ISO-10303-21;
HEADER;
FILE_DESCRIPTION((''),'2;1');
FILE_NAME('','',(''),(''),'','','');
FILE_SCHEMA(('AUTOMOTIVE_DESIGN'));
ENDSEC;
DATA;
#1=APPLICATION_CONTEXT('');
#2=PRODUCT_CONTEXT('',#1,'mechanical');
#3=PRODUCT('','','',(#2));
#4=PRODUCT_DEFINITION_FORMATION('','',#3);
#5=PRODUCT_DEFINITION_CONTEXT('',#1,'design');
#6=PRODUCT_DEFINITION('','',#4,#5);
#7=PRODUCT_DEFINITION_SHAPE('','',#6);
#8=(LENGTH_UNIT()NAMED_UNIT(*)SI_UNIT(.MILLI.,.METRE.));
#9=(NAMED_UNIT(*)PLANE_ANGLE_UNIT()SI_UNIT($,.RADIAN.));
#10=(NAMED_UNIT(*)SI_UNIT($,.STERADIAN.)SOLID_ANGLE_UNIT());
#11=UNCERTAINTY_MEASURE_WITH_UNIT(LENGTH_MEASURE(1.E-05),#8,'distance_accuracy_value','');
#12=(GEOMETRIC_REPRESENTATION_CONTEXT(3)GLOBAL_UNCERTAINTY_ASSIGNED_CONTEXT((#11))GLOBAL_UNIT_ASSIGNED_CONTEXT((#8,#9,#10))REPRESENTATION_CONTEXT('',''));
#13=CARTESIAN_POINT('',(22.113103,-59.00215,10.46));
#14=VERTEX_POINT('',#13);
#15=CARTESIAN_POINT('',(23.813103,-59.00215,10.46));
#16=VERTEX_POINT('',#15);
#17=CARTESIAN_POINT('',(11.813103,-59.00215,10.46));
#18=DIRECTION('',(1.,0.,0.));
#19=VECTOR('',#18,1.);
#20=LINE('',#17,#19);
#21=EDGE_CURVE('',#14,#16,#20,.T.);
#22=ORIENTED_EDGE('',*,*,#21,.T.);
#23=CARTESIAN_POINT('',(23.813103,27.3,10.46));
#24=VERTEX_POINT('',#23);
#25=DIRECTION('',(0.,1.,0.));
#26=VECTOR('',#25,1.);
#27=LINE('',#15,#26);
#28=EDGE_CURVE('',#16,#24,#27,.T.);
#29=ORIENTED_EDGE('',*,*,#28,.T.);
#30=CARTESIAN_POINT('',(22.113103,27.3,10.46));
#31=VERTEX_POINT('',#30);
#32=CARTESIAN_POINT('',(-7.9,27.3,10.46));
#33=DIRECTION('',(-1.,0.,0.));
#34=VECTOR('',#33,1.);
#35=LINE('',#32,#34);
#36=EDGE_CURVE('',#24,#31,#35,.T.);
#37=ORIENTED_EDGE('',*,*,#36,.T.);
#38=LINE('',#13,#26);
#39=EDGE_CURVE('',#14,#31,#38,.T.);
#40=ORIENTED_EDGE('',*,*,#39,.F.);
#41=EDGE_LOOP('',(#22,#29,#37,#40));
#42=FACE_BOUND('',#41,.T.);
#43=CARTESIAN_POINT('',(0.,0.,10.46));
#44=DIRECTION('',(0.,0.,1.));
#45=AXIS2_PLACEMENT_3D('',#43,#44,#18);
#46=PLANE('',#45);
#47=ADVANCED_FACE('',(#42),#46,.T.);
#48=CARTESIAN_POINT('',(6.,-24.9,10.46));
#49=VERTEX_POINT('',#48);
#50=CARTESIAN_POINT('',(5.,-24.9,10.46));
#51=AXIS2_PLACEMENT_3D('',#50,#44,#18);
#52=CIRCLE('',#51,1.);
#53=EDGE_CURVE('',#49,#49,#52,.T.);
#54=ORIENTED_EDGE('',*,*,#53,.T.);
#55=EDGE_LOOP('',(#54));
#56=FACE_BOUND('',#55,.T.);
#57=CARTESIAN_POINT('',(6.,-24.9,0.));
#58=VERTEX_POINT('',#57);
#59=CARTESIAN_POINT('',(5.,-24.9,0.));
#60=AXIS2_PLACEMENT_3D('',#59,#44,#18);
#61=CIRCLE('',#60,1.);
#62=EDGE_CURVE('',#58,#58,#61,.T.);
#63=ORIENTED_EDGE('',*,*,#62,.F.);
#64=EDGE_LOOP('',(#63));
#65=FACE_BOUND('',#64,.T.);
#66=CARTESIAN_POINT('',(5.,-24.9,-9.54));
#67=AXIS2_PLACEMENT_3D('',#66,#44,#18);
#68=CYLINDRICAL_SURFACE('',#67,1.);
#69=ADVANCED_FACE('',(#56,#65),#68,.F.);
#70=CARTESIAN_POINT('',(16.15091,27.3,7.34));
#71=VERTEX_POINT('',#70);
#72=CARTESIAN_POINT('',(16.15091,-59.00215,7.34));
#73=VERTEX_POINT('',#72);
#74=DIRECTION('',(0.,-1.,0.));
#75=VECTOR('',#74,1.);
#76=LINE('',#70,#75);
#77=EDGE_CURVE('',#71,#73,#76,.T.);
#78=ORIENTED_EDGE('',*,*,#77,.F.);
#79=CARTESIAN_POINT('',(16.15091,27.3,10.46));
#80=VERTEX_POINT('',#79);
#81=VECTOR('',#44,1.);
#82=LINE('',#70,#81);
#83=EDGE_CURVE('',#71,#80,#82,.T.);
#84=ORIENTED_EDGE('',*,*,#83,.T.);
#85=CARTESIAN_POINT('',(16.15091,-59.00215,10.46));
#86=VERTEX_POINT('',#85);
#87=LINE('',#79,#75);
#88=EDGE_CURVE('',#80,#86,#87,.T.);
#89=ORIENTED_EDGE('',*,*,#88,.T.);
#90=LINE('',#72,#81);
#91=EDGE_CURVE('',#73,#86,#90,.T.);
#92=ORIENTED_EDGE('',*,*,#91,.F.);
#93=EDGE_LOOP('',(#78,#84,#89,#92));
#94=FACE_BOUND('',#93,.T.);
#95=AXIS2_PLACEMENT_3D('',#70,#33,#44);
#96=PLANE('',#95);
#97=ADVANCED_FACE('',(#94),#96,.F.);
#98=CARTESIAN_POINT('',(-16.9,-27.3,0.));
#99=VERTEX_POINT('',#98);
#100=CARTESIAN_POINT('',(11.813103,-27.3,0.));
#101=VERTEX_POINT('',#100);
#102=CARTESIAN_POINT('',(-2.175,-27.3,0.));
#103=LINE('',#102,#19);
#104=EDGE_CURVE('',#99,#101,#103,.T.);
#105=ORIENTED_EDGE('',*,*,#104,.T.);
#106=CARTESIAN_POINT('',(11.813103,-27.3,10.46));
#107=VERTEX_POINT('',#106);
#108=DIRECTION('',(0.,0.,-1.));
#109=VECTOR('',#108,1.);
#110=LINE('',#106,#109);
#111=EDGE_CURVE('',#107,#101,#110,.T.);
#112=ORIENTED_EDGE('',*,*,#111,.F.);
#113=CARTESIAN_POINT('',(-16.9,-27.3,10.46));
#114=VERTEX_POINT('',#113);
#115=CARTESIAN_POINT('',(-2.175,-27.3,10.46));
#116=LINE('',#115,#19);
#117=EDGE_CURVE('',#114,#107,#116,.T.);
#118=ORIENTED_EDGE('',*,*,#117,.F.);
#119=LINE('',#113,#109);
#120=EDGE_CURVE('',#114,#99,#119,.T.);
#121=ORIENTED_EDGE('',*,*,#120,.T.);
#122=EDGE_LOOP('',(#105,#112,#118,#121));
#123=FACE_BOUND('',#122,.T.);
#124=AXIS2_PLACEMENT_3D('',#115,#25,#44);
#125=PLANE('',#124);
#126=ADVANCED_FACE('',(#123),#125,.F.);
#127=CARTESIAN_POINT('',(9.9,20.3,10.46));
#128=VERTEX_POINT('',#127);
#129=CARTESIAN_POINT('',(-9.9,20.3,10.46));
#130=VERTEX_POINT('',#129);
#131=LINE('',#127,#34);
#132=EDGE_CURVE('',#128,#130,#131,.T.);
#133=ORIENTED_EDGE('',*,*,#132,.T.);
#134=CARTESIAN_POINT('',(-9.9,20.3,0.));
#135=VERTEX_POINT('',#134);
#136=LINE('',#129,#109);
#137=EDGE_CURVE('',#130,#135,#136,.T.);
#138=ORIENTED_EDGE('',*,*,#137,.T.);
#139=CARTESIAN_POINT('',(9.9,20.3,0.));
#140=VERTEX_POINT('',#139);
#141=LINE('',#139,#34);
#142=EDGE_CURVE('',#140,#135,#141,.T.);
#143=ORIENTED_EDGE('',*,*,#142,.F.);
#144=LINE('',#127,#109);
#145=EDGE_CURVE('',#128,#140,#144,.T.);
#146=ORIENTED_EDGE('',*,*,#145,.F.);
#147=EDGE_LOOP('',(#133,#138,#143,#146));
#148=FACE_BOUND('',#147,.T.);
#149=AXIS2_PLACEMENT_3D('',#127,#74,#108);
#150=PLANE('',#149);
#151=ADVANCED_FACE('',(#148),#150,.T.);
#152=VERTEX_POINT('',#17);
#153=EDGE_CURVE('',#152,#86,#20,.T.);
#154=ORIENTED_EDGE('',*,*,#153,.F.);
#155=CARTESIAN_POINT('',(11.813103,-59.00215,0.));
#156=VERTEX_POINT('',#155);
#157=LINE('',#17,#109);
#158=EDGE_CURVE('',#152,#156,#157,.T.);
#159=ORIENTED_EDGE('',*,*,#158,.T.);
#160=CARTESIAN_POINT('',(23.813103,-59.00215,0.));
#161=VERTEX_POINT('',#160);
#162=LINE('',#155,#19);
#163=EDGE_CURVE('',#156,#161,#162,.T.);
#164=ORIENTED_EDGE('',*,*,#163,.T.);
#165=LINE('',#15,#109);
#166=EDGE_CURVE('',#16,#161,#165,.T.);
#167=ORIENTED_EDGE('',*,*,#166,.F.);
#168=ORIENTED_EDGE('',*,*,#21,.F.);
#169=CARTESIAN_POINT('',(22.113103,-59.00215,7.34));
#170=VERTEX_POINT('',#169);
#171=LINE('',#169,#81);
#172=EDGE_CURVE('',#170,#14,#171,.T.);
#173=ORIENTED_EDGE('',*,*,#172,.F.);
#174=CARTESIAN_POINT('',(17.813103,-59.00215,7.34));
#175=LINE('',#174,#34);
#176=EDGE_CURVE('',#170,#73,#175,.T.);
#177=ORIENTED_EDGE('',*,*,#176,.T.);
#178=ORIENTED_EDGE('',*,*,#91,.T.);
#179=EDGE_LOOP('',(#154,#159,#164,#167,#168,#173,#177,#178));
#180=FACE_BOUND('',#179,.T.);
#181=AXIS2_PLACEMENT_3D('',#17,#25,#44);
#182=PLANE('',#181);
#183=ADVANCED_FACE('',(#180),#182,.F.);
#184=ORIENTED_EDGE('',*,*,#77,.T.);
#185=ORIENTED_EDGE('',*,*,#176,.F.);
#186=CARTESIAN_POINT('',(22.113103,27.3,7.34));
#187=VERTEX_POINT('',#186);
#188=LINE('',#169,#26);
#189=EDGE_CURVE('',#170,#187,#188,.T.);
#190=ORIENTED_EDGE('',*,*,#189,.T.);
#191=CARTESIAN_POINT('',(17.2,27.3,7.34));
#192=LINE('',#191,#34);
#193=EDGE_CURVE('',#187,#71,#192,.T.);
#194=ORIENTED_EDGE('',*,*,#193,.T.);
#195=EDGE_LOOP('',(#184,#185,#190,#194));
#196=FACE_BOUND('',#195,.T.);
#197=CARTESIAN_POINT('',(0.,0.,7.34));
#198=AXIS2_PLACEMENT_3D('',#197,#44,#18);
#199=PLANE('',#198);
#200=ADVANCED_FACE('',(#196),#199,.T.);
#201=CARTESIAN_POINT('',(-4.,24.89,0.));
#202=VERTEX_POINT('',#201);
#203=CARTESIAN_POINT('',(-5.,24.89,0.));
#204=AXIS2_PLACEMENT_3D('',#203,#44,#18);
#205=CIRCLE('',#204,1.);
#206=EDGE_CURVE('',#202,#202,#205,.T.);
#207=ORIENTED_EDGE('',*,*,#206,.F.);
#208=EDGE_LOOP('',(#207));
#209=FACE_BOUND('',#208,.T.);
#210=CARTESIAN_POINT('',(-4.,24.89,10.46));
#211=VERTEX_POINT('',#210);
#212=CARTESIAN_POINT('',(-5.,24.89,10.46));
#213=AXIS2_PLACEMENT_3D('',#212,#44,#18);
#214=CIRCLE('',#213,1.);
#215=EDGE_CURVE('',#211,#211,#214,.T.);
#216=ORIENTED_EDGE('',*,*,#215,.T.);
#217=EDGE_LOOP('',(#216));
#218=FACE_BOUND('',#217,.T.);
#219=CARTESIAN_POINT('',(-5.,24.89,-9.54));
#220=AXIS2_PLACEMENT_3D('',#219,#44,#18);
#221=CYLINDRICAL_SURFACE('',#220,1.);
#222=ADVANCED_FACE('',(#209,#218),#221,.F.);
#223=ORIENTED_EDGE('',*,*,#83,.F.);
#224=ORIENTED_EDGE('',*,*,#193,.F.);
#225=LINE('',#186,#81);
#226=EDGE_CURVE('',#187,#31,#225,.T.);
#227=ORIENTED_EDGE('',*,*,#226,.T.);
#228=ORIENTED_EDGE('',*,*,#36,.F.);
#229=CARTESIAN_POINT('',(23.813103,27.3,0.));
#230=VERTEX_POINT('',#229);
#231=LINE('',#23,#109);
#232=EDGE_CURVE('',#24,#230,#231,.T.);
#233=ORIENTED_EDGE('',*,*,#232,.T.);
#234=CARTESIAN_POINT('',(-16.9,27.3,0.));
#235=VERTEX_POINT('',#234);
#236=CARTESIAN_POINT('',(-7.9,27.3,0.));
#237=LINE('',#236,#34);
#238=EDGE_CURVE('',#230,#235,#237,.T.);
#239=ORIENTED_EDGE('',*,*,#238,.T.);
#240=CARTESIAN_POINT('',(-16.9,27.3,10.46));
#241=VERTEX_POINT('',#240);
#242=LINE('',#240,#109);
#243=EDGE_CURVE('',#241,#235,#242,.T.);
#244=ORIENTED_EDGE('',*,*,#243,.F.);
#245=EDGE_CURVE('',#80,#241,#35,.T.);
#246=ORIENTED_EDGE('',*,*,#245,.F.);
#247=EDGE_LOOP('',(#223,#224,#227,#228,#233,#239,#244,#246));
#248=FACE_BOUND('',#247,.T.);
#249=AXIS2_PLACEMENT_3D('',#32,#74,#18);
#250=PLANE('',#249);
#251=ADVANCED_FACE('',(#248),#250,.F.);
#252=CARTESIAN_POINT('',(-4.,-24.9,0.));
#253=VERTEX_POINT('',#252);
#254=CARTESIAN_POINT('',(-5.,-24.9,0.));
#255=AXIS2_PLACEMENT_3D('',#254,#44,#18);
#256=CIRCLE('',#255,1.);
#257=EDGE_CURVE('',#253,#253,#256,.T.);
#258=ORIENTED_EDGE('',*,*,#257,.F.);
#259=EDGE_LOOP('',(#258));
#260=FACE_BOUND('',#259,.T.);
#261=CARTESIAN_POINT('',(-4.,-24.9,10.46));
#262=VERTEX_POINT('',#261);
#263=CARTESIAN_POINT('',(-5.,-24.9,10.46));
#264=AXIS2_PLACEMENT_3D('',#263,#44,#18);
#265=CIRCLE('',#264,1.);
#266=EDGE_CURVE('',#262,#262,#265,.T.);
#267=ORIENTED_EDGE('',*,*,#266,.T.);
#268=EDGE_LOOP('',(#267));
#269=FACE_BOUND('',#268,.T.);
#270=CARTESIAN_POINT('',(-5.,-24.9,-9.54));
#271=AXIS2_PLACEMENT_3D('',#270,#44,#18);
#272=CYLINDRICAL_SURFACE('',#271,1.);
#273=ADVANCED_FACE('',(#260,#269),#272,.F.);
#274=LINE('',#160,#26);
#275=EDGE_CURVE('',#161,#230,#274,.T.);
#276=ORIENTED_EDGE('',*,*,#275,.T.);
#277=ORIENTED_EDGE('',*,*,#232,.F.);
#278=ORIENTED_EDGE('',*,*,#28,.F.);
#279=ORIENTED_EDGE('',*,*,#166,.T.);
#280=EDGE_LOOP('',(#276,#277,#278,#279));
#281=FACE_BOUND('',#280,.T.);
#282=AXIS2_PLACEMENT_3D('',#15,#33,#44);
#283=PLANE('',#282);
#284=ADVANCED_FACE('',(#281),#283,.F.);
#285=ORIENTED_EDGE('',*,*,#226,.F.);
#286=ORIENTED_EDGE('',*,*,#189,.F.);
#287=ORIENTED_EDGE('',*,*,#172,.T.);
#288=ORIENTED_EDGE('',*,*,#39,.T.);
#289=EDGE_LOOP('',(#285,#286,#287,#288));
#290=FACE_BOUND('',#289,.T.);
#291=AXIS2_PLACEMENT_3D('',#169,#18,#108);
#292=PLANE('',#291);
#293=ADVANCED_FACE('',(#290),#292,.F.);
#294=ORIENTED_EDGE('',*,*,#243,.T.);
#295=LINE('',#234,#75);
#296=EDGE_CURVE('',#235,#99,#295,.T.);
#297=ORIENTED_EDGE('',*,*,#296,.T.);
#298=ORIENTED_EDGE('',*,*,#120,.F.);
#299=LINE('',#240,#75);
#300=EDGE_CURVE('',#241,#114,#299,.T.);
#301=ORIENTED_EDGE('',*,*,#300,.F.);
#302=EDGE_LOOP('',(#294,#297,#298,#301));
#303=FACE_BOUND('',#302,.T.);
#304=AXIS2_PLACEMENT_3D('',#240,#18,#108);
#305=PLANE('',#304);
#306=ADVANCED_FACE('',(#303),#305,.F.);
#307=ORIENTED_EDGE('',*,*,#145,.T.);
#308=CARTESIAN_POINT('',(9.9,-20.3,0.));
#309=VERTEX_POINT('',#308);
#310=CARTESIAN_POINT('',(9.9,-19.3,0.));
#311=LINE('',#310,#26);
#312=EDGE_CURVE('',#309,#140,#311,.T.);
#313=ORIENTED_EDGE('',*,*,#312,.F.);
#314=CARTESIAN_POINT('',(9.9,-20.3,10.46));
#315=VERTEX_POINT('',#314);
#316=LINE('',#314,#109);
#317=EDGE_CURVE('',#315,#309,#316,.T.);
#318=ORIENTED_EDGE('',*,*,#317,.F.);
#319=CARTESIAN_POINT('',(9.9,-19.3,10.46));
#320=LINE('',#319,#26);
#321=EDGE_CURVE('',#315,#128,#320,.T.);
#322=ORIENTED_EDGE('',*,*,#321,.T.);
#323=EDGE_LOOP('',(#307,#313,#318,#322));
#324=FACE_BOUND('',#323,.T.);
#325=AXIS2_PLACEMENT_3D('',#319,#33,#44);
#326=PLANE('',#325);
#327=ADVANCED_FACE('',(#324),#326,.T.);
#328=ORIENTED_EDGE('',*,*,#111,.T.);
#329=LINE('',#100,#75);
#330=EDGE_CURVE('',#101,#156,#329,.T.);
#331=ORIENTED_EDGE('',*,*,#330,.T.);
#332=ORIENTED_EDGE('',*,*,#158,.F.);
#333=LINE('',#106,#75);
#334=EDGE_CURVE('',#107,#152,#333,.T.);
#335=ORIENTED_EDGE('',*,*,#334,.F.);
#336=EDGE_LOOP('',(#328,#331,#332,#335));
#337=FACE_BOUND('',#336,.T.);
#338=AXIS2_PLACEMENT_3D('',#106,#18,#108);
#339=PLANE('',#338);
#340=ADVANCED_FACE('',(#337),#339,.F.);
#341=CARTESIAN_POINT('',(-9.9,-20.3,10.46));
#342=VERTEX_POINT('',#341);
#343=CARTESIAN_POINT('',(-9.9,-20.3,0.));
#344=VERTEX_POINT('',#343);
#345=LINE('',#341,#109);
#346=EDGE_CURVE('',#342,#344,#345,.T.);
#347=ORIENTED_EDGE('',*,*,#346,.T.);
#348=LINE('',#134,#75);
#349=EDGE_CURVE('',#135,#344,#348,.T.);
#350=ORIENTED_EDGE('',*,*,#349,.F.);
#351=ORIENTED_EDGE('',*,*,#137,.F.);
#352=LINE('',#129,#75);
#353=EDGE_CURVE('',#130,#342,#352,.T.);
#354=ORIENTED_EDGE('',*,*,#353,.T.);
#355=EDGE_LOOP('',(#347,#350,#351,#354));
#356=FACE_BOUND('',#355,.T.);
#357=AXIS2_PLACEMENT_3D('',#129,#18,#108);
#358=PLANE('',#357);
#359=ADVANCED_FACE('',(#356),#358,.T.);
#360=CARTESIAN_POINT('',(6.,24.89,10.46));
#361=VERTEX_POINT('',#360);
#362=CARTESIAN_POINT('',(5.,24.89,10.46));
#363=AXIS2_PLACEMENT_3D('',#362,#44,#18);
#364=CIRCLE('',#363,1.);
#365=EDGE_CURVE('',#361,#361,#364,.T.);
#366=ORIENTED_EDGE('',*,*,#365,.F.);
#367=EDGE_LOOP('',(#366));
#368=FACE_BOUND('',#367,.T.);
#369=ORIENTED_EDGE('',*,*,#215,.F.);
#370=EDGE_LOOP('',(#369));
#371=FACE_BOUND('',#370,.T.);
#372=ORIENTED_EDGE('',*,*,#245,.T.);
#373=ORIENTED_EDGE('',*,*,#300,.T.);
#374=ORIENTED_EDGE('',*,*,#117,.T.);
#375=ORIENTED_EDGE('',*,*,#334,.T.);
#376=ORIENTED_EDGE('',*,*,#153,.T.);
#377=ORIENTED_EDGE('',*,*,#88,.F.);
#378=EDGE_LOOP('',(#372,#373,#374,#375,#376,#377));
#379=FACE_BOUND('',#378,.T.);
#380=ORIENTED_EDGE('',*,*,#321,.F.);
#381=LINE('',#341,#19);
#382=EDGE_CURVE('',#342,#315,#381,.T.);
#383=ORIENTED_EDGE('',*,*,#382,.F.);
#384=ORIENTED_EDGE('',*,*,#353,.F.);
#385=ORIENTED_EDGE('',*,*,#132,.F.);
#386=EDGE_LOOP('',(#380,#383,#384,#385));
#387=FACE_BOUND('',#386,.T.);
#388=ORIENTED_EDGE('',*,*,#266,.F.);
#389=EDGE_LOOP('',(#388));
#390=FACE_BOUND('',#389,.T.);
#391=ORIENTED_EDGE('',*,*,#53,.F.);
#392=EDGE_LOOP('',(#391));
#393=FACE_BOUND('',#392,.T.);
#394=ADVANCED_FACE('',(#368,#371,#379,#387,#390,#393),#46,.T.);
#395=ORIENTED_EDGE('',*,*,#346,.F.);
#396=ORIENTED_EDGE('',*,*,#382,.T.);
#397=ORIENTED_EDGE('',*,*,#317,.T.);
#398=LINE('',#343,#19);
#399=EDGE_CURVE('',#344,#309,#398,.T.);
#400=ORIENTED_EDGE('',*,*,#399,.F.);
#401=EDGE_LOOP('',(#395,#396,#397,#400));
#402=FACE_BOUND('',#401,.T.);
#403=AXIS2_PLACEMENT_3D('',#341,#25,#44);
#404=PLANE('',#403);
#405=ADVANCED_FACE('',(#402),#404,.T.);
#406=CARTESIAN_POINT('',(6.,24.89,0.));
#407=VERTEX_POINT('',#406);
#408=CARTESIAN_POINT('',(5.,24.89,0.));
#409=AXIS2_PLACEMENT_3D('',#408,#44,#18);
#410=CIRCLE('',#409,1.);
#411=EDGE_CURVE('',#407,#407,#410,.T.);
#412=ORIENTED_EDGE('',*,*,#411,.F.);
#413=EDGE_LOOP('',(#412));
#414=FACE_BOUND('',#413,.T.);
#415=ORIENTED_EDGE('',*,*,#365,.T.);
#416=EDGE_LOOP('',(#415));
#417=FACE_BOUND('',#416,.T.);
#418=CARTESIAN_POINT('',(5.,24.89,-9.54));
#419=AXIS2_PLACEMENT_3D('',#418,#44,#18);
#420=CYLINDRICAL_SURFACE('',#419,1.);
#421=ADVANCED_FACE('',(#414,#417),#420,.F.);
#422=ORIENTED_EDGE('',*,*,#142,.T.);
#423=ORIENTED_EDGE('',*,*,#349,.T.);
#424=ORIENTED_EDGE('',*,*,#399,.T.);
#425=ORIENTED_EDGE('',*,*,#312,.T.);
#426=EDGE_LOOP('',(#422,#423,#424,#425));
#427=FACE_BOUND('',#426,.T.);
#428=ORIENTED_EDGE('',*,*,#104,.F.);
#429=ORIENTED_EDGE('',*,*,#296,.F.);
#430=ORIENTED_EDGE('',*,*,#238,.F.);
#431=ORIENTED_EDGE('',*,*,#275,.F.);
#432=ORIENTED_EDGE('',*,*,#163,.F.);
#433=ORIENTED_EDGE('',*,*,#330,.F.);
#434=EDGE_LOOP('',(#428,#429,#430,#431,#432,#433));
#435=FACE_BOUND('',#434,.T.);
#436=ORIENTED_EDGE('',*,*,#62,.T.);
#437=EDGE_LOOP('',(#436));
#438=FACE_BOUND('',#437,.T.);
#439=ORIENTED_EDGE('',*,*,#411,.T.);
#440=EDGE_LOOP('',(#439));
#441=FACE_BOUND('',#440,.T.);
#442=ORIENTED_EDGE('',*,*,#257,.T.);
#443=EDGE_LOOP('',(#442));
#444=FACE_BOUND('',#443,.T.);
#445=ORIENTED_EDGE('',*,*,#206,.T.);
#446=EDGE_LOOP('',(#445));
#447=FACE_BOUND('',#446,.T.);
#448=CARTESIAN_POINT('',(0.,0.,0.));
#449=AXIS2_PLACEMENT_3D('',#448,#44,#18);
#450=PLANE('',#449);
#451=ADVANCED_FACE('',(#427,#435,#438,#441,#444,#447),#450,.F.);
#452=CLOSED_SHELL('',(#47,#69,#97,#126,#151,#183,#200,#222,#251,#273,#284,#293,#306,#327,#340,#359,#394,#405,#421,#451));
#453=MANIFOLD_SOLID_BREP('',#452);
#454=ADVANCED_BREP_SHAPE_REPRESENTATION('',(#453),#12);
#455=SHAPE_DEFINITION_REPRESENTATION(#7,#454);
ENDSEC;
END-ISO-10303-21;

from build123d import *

# Parameters (mm, degrees)
BOSS_EXTRUDE2_DEPTH = 10.46
CUT_EXTRUDE1_DEPTH  = 3.12
SKETCH5_R           = 1
CUT_EXTRUDE2_DEPTH  = 20


with BuildPart() as part:
    # Sketch2 → Boss-Extrude2 (new body)
    with BuildSketch(Plane.XY):
        Polygon((-7.9, 27.3), (23.813102619, 27.3), (23.813102619, -59.002149985), (11.813102619, -59.002149985), (11.813102619, -27.3), (-2.175, -27.3), (-16.9, -27.3), (-16.9, 27.3), align=None)
        Polygon((-9.9, -20.3), (9.9, -20.3), (9.9, -19.3), (9.9, 20.3), (-9.9, 20.3), align=None, mode=Mode.SUBTRACT)
    extrude(amount=BOSS_EXTRUDE2_DEPTH)

    # Sketch4 → Cut-Extrude1 (cut)
    with BuildSketch(Plane.XY.offset(10.46)):
        Polygon((17.813102619, -59.002149985), (17.2, -59.002149985), (16.150910181, -59.002149985), (16.150910181, 27.3), (17.2, 27.3), (22.113102619, 27.3), (22.113102619, -59.002149985), align=None)
    extrude(amount=-CUT_EXTRUDE1_DEPTH, mode=Mode.SUBTRACT)

    # Sketch5 → Cut-Extrude2 (cut)
    with BuildSketch(Plane.XY.offset(10.46)):
        with Locations((-5, -24.9)):
            Circle(SKETCH5_R)
        with Locations((5, -24.9)):
            Circle(SKETCH5_R)
        with Locations((-5, 24.89)):
            Circle(SKETCH5_R)
        with Locations((5, 24.89)):
            Circle(SKETCH5_R)
    extrude(amount=-CUT_EXTRUDE2_DEPTH, mode=Mode.SUBTRACT)


solid = part.part
